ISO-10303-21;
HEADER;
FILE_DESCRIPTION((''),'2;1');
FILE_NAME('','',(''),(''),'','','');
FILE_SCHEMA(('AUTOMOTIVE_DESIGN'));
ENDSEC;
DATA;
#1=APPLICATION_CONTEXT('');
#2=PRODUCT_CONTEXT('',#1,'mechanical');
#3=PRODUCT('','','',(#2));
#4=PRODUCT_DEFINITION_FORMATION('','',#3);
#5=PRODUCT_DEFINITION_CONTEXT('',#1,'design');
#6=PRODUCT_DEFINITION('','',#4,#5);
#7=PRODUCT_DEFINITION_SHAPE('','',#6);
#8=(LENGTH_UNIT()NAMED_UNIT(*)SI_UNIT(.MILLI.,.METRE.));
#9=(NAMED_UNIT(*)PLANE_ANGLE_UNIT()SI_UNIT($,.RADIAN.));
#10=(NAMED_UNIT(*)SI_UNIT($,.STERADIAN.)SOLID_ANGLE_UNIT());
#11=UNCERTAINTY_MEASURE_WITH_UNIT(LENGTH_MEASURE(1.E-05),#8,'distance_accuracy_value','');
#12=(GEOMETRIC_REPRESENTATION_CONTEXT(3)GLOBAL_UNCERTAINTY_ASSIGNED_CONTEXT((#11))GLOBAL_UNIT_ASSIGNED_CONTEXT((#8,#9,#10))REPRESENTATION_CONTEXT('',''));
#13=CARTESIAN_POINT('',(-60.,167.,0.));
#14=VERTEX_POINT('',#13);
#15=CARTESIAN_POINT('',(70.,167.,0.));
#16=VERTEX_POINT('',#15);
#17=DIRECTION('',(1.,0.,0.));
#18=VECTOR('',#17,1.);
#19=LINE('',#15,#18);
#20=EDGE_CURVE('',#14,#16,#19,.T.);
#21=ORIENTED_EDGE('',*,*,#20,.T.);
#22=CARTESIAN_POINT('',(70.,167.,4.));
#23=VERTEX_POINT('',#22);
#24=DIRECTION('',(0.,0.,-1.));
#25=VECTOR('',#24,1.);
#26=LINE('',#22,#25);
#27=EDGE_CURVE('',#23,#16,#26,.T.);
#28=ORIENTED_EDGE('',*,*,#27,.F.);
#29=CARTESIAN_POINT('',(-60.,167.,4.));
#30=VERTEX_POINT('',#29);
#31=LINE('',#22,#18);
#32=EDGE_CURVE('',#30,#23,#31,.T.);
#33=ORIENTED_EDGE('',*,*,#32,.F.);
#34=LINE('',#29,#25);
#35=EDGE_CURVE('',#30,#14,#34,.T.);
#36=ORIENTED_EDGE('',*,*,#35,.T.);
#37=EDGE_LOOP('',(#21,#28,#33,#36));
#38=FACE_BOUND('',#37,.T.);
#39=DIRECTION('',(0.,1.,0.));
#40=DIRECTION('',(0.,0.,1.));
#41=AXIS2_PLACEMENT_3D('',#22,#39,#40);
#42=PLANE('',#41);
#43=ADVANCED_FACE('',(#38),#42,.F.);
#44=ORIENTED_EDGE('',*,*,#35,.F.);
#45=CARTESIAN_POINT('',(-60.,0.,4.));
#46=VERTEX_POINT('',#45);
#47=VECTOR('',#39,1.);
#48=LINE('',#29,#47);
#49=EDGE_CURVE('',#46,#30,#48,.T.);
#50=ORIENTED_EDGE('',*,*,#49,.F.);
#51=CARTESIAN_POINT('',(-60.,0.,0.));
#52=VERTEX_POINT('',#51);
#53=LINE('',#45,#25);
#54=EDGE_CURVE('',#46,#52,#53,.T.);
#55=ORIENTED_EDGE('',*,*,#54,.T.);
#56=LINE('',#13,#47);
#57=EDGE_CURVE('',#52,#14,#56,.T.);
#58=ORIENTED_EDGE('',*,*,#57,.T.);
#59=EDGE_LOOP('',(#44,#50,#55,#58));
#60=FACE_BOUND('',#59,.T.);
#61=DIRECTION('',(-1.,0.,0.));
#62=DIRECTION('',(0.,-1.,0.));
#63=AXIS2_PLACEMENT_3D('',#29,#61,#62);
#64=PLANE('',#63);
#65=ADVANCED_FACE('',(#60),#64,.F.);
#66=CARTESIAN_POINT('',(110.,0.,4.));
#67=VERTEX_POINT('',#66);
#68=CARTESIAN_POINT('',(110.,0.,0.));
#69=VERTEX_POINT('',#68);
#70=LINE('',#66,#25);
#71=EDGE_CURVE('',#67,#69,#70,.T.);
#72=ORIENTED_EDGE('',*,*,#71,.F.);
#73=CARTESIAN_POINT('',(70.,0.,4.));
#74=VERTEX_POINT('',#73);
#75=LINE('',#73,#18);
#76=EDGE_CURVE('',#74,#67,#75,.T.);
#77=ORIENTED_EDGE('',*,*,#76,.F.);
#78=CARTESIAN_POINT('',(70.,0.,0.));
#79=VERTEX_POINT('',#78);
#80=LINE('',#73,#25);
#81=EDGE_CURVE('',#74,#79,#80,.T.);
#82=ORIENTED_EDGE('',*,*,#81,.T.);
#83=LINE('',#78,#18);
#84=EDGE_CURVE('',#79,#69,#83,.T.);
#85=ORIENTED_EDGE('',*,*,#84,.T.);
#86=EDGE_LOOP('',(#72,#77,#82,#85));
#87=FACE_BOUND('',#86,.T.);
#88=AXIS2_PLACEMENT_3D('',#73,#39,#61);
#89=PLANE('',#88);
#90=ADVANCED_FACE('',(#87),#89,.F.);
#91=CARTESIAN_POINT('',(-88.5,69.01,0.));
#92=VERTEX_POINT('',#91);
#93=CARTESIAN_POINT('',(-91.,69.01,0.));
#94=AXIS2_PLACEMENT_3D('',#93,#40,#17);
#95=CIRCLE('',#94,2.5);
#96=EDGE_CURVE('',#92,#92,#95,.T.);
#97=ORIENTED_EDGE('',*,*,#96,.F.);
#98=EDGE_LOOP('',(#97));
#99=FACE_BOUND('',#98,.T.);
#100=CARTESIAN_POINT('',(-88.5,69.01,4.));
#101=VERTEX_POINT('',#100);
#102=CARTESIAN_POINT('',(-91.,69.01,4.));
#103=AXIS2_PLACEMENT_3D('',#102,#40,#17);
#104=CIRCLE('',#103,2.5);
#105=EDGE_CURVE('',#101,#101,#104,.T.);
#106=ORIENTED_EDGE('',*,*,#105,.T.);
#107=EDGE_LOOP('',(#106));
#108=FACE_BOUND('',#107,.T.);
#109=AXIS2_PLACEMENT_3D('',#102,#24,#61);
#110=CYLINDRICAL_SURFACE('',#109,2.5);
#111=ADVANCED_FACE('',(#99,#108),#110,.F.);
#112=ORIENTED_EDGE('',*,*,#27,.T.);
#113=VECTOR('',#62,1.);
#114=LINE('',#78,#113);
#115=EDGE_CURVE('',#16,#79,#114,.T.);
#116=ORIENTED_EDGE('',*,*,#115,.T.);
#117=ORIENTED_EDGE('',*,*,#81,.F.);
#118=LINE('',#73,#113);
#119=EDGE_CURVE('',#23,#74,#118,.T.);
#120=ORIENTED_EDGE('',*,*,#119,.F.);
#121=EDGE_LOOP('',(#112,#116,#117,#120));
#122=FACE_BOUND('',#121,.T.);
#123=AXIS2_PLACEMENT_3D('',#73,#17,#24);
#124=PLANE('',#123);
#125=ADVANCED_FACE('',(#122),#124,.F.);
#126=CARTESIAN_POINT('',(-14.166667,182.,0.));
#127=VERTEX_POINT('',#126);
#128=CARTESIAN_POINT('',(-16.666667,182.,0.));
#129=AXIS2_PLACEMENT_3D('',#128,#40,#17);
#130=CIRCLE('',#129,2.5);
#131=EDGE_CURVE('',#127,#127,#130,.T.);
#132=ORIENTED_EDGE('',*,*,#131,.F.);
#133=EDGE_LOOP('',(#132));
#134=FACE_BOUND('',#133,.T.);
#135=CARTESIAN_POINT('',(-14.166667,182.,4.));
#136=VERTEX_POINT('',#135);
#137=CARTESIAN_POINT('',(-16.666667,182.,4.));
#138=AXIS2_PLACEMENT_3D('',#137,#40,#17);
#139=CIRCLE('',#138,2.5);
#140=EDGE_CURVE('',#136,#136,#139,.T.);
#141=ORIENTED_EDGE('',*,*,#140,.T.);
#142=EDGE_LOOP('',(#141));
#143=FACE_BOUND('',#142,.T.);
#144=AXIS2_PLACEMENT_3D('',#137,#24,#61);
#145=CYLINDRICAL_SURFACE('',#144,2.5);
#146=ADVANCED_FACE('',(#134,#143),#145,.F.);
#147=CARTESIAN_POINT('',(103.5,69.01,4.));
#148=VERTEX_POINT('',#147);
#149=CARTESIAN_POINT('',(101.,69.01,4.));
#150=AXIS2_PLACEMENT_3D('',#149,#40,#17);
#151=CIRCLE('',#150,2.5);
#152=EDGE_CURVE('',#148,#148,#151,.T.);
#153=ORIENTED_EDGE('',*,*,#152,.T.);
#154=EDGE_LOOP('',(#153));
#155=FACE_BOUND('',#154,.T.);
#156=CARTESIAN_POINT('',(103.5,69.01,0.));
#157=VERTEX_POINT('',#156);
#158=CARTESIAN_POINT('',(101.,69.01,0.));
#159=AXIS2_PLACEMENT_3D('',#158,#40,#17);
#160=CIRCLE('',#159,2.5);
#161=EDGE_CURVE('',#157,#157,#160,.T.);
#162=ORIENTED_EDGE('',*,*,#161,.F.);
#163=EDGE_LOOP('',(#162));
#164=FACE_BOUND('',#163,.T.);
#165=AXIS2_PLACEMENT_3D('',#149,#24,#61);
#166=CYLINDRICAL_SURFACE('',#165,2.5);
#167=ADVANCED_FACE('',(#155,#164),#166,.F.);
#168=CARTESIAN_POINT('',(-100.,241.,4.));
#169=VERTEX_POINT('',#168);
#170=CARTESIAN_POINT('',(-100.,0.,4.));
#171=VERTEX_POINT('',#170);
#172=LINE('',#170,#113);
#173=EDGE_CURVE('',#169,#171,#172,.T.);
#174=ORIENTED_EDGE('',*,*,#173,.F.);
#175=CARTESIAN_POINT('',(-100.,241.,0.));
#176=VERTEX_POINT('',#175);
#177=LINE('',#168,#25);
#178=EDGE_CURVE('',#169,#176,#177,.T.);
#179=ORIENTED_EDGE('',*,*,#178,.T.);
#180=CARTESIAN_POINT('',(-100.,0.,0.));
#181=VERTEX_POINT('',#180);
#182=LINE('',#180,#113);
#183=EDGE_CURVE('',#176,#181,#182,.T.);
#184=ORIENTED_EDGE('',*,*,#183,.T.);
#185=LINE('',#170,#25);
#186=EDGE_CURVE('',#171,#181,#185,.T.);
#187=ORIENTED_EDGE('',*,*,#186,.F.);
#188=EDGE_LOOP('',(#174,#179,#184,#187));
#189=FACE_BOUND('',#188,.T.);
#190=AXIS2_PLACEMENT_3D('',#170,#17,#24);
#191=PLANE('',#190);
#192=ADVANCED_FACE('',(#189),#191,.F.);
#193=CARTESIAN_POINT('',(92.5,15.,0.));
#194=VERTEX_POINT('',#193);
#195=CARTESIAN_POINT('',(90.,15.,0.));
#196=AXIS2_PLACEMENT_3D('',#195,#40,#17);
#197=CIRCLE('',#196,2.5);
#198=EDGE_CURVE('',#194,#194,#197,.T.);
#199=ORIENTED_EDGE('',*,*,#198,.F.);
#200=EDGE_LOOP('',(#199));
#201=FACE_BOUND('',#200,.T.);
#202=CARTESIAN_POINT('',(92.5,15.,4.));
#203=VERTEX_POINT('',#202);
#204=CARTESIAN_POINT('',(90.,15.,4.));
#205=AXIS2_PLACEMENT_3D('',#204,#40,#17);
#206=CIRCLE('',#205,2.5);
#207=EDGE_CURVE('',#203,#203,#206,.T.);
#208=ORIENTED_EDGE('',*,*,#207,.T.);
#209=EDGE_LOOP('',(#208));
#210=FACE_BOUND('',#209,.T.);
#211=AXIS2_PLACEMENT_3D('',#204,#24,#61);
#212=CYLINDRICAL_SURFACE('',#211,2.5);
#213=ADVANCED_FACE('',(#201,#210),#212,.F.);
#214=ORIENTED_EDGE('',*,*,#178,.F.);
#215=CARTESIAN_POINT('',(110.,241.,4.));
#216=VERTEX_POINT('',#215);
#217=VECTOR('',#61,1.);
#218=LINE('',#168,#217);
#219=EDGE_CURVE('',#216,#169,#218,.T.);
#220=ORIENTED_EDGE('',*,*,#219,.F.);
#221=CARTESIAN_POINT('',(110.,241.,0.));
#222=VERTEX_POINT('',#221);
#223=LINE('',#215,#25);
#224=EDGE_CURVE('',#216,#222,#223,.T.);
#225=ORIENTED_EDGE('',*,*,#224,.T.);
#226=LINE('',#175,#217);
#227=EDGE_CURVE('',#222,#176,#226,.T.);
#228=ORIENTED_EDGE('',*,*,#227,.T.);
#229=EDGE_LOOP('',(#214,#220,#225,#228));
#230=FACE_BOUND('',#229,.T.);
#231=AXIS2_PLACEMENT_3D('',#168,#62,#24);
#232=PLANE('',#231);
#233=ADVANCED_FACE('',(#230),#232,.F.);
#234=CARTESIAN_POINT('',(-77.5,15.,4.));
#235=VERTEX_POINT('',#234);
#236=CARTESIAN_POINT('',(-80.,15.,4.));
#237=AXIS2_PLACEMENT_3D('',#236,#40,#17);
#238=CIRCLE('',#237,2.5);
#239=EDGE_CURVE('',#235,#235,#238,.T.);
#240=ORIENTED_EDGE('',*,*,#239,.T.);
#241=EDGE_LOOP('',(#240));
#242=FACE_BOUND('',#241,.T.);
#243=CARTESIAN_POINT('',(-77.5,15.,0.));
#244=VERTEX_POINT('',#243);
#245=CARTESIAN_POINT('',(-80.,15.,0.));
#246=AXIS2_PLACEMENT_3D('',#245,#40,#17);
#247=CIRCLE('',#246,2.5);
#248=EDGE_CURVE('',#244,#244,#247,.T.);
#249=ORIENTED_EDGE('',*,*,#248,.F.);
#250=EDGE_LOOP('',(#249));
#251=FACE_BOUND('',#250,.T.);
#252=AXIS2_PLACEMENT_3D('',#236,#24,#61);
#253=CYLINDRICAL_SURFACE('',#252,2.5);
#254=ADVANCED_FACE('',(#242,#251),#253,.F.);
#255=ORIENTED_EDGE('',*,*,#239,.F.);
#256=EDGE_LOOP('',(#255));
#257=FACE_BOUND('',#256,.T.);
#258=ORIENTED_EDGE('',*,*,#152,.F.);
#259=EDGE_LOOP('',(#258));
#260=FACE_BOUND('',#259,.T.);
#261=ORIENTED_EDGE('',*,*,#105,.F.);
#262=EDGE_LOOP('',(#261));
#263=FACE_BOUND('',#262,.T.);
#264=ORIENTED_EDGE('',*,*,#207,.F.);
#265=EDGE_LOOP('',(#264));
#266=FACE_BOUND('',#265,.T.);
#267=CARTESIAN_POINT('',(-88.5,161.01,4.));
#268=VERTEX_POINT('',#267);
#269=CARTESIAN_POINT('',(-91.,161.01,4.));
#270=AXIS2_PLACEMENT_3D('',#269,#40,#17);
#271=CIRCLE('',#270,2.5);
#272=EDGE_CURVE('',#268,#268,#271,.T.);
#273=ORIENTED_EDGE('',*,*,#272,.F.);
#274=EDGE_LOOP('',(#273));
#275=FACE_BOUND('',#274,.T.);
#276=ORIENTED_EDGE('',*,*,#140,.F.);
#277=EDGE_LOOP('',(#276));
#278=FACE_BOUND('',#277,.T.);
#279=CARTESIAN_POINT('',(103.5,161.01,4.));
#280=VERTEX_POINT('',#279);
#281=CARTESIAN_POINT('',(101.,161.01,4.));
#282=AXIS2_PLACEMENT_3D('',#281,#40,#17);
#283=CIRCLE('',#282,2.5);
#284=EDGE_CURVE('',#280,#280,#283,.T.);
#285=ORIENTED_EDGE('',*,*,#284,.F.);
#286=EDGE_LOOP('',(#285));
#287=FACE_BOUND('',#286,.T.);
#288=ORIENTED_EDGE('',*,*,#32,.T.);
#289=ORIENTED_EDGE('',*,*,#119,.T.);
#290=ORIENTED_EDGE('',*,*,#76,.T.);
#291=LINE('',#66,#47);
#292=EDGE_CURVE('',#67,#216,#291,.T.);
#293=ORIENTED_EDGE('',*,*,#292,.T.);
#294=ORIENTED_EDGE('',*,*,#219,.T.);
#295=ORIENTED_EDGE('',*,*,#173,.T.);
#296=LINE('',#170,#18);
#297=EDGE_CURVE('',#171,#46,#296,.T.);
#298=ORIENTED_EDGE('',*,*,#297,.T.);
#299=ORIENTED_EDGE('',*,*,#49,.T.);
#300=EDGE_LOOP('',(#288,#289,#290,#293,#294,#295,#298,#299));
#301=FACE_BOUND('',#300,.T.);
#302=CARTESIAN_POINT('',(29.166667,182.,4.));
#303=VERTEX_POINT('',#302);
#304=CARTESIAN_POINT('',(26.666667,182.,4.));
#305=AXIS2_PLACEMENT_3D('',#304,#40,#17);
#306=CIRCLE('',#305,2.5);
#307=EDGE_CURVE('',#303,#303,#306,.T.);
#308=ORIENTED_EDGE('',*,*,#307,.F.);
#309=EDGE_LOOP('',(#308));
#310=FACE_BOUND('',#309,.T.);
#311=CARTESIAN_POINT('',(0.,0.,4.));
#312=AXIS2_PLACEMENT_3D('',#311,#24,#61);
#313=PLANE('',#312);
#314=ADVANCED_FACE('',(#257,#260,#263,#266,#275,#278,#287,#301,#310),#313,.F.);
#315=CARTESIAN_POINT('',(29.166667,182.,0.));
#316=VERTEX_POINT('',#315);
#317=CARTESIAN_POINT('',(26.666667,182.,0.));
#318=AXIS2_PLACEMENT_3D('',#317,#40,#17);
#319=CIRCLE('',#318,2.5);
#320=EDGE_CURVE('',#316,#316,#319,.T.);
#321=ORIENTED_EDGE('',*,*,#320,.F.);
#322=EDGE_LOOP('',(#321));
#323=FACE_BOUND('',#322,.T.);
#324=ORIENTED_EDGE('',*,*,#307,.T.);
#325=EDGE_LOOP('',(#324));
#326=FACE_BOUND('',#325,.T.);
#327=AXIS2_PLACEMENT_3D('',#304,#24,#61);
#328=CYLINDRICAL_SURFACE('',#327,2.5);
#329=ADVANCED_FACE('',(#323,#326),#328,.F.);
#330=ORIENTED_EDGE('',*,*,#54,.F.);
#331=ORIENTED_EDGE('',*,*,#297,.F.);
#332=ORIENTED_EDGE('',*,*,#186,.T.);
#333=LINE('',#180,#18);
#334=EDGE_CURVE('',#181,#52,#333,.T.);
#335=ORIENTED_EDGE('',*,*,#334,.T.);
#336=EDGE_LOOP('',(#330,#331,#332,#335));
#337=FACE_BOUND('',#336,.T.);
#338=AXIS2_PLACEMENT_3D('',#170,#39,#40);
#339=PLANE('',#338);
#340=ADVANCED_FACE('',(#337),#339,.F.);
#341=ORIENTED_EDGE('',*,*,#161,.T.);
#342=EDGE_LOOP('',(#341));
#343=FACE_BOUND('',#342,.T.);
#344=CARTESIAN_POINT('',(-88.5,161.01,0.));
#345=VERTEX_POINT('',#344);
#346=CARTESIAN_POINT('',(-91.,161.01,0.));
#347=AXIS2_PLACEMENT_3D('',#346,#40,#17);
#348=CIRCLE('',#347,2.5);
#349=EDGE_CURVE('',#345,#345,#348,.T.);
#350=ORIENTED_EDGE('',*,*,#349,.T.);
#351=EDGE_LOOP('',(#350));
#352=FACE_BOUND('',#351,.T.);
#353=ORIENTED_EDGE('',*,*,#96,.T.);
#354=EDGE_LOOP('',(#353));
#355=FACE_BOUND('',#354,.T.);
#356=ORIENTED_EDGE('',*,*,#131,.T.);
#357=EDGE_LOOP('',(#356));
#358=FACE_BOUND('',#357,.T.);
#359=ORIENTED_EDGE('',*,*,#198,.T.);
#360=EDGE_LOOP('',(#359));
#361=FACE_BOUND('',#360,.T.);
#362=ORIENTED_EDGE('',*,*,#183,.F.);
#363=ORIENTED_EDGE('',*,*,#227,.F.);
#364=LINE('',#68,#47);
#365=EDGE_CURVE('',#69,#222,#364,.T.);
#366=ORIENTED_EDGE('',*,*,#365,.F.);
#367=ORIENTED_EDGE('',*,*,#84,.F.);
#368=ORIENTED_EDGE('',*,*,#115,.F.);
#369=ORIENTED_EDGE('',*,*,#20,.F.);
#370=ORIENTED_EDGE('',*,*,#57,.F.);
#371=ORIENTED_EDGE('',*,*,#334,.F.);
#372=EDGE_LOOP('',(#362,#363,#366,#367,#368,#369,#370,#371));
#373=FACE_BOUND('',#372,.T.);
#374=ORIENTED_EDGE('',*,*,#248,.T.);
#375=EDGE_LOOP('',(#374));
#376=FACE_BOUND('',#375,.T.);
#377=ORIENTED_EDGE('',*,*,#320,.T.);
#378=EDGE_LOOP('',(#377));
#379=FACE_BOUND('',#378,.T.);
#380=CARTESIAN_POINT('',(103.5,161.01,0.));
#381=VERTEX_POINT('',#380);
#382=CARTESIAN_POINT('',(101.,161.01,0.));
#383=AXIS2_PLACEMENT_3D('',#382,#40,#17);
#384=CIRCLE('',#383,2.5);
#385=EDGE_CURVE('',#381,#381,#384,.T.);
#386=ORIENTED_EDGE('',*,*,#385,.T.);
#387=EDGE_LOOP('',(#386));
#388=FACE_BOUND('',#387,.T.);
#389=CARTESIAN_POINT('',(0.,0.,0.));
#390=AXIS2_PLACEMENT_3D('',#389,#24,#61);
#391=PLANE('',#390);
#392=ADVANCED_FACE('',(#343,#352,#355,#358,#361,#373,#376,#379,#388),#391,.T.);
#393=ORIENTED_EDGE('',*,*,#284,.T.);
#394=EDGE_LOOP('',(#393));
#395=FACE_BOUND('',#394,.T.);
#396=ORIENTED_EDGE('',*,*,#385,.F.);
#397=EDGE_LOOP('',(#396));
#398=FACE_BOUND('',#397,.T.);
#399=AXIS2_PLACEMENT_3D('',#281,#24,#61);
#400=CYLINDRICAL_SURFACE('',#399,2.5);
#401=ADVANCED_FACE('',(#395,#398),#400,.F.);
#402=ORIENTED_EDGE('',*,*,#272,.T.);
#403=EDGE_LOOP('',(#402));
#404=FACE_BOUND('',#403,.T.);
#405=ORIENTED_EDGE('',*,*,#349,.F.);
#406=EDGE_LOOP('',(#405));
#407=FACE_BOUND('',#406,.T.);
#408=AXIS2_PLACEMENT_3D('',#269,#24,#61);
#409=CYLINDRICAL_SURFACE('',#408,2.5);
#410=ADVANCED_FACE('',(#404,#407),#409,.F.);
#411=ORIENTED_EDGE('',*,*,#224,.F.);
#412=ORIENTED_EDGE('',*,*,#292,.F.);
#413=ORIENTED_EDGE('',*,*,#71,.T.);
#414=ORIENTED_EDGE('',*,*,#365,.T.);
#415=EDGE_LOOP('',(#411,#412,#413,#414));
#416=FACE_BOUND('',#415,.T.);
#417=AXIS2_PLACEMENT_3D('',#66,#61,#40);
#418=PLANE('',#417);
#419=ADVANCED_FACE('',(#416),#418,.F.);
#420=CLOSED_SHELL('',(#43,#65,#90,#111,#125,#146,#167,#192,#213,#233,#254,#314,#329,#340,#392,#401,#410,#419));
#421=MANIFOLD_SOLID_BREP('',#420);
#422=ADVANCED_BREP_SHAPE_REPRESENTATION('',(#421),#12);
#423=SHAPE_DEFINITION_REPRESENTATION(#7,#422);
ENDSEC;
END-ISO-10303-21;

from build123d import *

# Parameters (mm, degrees)
CROQUIS1_R              = 2.5
SALIENTE_EXTRUIR1_DEPTH = 4


with BuildPart() as part:
    # Croquis1 → Saliente-Extruir1 (new body)
    with BuildSketch(Plane.XY):
        Polygon((70, 0), (70, 167), (-60, 167), (-60, 0), (-100, 0), (-100, 241), (110, 241), (110, 0), align=None)
        with Locations((-80, 15)):
            Circle(CROQUIS1_R, mode=Mode.SUBTRACT)
        with Locations((-91, 69.01)):
            Circle(CROQUIS1_R, mode=Mode.SUBTRACT)
        with Locations((-91, 161.01)):
            Circle(CROQUIS1_R, mode=Mode.SUBTRACT)
        with Locations((-16.666666667, 182)):
            Circle(CROQUIS1_R, mode=Mode.SUBTRACT)
        with Locations((26.666666667, 182)):
            Circle(CROQUIS1_R, mode=Mode.SUBTRACT)
        with Locations((101, 161.01)):
            Circle(CROQUIS1_R, mode=Mode.SUBTRACT)
        with Locations((101, 69.01)):
            Circle(CROQUIS1_R, mode=Mode.SUBTRACT)
        with Locations((90, 15)):
            Circle(CROQUIS1_R, mode=Mode.SUBTRACT)
    extrude(amount=SALIENTE_EXTRUIR1_DEPTH)


solid = part.part
